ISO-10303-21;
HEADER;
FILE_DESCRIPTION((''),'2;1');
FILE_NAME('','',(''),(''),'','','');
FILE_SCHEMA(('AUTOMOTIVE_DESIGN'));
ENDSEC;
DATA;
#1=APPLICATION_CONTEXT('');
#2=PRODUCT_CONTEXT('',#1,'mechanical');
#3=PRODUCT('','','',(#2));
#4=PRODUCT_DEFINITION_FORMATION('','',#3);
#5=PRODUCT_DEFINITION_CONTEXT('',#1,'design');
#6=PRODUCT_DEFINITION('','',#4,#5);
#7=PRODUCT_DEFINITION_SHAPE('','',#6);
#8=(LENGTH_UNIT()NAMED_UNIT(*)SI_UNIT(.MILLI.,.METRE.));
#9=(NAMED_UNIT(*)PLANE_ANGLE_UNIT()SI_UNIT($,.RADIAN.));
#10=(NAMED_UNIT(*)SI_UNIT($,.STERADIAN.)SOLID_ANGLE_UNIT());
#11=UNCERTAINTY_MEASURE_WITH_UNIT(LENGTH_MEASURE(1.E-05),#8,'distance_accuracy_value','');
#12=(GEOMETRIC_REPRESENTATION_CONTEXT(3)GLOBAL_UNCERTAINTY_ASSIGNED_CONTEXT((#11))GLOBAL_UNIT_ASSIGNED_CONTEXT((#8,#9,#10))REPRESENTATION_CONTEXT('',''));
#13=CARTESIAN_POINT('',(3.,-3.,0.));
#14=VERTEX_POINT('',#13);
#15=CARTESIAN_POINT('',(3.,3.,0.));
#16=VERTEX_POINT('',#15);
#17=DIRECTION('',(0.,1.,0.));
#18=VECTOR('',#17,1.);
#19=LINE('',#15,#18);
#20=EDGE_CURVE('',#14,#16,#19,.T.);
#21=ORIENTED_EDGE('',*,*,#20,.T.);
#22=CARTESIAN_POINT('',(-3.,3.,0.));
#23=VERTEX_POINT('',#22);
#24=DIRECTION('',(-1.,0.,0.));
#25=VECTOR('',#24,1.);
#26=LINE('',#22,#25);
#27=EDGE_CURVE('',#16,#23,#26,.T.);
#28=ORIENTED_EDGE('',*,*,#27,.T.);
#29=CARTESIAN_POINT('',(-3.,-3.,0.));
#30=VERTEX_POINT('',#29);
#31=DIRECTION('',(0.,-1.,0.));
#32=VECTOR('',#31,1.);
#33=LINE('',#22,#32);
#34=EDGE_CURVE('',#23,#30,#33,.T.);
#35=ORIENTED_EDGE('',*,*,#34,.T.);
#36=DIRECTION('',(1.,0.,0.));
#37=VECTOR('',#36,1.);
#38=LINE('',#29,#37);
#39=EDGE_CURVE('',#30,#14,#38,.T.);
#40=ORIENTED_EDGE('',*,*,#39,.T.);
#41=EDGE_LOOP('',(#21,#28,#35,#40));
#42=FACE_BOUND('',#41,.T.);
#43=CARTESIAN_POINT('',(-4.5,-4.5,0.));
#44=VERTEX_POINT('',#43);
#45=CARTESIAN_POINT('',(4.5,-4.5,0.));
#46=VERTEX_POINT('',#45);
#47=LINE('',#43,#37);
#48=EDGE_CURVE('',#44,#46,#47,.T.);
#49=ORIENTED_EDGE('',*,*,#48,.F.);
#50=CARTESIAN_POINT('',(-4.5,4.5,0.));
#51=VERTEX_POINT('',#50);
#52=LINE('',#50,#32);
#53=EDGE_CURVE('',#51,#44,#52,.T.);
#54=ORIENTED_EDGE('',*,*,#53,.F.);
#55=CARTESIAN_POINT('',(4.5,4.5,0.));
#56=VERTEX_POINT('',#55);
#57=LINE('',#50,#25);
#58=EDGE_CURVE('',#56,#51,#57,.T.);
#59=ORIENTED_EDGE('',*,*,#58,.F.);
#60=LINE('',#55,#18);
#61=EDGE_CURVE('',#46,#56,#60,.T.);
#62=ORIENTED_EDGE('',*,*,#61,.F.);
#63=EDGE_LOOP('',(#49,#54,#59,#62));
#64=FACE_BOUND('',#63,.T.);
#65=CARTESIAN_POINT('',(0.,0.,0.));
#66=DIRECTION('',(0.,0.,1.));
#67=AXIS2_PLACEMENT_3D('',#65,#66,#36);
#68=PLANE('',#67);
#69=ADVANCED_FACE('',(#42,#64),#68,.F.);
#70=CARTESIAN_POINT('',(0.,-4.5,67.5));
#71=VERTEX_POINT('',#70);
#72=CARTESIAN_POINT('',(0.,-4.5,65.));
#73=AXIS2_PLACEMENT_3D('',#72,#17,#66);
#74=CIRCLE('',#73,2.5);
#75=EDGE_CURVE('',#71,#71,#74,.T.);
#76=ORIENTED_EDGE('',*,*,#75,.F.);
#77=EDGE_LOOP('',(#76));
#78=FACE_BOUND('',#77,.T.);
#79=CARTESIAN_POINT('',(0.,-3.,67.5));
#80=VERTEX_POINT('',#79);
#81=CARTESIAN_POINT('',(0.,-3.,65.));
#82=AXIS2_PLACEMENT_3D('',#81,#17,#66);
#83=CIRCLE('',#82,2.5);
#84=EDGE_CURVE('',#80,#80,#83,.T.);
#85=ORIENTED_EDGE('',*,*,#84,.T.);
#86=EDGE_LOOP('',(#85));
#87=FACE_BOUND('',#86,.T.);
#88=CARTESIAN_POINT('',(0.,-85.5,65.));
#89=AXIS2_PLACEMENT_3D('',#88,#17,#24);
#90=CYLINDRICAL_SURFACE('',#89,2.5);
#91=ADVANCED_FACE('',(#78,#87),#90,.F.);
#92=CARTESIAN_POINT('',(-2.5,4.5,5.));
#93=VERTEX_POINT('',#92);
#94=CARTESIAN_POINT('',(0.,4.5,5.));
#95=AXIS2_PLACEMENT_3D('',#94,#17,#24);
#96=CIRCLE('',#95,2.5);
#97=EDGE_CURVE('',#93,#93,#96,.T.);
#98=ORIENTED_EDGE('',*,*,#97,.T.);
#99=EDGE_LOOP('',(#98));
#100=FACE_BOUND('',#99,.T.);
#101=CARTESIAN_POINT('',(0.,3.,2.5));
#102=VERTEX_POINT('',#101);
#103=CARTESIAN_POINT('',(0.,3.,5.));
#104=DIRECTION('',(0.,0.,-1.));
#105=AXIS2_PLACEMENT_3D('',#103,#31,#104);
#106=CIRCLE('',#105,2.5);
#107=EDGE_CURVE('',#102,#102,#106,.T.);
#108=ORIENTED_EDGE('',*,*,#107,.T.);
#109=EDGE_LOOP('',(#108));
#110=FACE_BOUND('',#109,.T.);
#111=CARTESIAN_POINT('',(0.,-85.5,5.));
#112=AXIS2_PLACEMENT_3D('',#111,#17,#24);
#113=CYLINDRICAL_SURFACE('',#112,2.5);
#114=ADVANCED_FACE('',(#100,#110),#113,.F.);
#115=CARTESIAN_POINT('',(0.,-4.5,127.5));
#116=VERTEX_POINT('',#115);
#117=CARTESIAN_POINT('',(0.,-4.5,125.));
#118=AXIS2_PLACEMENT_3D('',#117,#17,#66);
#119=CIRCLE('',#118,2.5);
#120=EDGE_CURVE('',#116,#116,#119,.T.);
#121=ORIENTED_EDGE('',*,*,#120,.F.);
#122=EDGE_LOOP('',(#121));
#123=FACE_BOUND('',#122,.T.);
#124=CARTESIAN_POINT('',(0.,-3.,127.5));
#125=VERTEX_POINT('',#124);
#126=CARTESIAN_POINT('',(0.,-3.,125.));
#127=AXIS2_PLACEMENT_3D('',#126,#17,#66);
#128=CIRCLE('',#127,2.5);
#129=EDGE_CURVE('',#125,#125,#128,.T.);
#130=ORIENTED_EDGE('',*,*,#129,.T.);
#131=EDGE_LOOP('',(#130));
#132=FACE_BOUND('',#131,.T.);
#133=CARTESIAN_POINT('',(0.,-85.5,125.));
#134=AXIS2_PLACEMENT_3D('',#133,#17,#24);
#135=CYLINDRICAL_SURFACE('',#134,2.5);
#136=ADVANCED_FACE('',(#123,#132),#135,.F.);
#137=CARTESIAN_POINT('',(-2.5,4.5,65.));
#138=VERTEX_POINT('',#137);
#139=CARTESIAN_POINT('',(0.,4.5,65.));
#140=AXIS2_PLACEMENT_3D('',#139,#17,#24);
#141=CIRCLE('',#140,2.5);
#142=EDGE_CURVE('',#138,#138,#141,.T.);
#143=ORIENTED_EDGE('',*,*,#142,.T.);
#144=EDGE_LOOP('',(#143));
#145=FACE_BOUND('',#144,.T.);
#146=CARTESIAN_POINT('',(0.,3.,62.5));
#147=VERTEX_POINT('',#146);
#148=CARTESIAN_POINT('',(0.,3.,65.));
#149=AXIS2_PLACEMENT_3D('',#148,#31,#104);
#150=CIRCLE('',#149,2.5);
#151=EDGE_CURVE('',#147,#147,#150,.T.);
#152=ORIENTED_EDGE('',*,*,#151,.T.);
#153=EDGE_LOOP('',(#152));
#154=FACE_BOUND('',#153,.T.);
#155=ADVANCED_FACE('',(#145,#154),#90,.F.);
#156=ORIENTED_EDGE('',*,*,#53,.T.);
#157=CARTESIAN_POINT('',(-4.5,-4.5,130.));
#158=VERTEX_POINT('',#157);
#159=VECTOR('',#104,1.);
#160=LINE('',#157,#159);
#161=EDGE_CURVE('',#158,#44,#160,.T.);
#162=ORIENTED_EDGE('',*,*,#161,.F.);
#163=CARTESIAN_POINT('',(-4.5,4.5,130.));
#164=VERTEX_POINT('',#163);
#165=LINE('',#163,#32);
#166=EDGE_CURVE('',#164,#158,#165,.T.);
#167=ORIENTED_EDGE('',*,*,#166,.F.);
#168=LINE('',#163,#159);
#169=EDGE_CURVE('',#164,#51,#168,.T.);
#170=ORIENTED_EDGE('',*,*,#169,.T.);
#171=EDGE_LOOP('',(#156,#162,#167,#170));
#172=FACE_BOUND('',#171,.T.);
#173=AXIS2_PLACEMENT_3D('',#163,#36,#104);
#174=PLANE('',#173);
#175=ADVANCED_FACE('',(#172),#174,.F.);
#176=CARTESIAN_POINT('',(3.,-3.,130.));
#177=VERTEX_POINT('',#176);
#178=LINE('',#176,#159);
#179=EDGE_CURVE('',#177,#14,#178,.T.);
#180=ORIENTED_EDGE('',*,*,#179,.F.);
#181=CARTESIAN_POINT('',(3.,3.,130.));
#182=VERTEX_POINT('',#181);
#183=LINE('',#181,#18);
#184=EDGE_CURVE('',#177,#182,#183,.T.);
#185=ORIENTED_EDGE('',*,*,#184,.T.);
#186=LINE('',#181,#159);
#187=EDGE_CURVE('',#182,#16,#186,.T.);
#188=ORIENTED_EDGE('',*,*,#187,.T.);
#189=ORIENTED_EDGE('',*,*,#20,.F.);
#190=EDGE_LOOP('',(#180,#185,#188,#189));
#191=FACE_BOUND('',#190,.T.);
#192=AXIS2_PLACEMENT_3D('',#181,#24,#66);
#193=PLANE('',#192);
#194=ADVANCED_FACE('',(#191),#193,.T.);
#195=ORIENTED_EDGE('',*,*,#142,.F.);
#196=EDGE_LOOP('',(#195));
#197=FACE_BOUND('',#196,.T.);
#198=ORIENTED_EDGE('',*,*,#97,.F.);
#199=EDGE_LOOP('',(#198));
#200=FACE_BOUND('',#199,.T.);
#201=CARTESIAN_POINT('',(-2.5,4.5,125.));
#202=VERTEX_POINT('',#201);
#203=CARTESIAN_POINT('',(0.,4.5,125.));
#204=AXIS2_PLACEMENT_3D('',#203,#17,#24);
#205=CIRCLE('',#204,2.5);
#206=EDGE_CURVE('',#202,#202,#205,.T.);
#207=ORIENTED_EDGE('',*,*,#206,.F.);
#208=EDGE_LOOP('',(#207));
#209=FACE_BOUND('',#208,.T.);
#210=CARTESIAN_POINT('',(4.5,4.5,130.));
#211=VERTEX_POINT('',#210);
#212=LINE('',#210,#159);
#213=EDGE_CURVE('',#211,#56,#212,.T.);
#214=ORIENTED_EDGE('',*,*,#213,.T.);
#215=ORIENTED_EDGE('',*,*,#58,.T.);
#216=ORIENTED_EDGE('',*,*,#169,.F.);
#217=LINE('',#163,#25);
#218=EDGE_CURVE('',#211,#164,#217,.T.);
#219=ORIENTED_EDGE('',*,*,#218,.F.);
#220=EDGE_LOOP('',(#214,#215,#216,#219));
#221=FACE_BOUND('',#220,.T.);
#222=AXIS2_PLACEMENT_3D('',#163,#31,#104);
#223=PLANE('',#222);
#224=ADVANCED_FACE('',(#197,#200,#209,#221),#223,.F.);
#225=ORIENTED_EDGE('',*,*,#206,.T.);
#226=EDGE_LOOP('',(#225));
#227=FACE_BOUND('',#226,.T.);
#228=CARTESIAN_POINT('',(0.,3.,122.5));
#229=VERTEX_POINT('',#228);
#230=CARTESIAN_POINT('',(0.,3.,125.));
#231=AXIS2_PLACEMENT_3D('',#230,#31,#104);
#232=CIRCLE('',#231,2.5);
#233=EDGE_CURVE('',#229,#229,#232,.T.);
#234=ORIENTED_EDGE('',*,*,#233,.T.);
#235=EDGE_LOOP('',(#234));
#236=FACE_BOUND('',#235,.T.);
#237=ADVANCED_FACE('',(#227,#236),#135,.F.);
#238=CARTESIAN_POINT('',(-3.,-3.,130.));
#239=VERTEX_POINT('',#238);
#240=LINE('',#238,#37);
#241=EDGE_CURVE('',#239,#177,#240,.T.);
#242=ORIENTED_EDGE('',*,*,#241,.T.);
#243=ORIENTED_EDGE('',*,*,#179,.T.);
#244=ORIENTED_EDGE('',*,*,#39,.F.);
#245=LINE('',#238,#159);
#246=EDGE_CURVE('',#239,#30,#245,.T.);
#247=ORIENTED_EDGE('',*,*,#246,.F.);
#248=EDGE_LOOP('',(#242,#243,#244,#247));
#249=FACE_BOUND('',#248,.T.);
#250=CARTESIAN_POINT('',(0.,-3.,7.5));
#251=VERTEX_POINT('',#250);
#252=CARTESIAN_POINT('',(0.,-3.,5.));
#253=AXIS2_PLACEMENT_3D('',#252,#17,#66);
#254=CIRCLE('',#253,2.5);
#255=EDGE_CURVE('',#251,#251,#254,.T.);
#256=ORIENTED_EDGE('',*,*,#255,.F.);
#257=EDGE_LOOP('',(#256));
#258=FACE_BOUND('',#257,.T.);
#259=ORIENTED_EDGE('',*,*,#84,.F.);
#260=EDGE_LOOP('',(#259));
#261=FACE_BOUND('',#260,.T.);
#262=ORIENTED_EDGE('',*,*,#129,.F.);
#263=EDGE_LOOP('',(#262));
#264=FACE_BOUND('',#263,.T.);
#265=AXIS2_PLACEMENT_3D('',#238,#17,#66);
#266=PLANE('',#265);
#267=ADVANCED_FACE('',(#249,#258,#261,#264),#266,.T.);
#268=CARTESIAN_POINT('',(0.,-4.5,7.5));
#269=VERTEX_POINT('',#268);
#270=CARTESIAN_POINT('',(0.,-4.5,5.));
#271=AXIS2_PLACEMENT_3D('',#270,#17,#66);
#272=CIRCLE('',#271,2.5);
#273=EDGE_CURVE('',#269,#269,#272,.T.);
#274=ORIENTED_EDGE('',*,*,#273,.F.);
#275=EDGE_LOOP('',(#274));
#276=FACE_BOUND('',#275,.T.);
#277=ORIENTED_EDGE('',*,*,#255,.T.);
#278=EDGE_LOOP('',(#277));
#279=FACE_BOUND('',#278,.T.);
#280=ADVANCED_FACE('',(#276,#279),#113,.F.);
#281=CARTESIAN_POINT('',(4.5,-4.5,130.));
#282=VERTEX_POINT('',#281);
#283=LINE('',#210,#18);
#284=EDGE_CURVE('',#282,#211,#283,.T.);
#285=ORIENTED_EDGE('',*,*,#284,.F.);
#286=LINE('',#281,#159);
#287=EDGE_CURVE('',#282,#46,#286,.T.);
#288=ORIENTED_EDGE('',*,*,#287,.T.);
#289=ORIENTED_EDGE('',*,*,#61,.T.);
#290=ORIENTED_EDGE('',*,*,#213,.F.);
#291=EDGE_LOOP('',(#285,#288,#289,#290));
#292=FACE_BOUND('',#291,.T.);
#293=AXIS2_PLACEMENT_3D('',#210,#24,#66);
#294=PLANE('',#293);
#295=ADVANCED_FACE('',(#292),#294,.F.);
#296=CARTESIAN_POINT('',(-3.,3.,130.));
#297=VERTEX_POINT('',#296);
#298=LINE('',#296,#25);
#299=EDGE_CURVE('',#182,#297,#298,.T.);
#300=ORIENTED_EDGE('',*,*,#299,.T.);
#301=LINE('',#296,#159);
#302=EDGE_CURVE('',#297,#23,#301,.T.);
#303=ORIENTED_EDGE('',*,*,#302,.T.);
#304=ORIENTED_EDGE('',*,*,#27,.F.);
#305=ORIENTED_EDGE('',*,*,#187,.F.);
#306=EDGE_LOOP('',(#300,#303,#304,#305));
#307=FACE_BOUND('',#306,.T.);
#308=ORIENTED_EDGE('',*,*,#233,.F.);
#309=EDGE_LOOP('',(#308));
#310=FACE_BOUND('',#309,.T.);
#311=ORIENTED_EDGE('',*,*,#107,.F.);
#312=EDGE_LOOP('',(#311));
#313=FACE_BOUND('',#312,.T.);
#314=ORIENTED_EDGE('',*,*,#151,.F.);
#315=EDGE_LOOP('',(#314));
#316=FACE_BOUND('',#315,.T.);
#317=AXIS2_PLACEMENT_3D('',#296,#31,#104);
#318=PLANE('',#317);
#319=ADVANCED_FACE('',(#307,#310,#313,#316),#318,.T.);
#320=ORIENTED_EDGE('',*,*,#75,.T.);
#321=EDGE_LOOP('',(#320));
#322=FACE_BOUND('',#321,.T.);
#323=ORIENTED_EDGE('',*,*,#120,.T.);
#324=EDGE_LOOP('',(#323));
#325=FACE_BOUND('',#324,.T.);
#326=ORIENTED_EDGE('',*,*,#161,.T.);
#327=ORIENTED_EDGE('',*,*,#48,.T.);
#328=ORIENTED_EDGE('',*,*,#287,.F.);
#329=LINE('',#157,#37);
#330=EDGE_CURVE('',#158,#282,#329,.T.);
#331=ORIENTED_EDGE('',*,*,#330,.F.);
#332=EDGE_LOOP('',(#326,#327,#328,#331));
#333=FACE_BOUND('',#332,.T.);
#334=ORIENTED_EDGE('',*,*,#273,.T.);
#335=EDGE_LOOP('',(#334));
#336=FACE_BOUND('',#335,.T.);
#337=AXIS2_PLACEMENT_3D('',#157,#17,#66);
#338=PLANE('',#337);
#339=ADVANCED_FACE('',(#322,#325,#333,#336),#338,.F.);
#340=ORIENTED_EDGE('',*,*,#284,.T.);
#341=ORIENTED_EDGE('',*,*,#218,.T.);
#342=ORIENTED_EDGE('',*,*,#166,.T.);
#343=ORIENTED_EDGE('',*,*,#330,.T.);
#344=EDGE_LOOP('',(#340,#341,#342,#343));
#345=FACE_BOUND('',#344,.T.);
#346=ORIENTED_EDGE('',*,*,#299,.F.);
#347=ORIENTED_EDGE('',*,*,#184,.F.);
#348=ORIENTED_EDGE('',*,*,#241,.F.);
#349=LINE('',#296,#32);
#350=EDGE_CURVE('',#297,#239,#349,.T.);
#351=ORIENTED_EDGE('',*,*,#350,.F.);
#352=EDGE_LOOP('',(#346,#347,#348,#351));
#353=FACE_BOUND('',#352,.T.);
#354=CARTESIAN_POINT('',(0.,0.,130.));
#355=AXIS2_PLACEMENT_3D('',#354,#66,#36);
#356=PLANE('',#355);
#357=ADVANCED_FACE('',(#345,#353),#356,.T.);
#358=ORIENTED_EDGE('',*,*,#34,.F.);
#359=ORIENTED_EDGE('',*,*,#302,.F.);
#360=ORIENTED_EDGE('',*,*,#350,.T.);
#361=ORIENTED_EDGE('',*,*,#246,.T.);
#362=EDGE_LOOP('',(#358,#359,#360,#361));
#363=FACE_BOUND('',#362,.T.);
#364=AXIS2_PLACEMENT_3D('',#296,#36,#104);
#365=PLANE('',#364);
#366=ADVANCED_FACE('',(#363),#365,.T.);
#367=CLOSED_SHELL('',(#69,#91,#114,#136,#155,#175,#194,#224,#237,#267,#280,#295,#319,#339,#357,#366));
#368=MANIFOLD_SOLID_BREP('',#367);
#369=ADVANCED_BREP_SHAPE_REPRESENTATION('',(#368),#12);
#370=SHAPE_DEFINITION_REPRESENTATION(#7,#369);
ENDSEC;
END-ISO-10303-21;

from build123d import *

# Parameters (mm, degrees)
SKETCH_1_W          = 9
SKETCH_1_H          = 9
SKETCH_1_W_2        = 6
SKETCH_1_H_2        = 6
EXTRUDE_1_DEPTH     = 130
SKETCH_2_R          = 2.5
CUT_EXTRUDE_1_DEPTH = 90


with BuildPart() as part:
    # ｽｹｯﾁ1 → ﾎﾞｽ - 押し出し1 (new body)
    with BuildSketch(Plane.XY):
        Rectangle(SKETCH_1_W, SKETCH_1_H)
        Rectangle(SKETCH_1_W_2, SKETCH_1_H_2, mode=Mode.SUBTRACT)
    extrude(amount=EXTRUDE_1_DEPTH)

    # ｽｹｯﾁ2 → ｶｯﾄ - 押し出し1 (cut)
    with BuildSketch(Plane(origin=(0, 4.5, 0), x_dir=(1, 0, 0), z_dir=(0, 1, 0))):
        with Locations((0, -65)):
            Circle(SKETCH_2_R)
        with Locations((0, -5)):
            Circle(SKETCH_2_R)
        with Locations((0, -125)):
            Circle(SKETCH_2_R)
    extrude(amount=-CUT_EXTRUDE_1_DEPTH, mode=Mode.SUBTRACT)


solid = part.part
